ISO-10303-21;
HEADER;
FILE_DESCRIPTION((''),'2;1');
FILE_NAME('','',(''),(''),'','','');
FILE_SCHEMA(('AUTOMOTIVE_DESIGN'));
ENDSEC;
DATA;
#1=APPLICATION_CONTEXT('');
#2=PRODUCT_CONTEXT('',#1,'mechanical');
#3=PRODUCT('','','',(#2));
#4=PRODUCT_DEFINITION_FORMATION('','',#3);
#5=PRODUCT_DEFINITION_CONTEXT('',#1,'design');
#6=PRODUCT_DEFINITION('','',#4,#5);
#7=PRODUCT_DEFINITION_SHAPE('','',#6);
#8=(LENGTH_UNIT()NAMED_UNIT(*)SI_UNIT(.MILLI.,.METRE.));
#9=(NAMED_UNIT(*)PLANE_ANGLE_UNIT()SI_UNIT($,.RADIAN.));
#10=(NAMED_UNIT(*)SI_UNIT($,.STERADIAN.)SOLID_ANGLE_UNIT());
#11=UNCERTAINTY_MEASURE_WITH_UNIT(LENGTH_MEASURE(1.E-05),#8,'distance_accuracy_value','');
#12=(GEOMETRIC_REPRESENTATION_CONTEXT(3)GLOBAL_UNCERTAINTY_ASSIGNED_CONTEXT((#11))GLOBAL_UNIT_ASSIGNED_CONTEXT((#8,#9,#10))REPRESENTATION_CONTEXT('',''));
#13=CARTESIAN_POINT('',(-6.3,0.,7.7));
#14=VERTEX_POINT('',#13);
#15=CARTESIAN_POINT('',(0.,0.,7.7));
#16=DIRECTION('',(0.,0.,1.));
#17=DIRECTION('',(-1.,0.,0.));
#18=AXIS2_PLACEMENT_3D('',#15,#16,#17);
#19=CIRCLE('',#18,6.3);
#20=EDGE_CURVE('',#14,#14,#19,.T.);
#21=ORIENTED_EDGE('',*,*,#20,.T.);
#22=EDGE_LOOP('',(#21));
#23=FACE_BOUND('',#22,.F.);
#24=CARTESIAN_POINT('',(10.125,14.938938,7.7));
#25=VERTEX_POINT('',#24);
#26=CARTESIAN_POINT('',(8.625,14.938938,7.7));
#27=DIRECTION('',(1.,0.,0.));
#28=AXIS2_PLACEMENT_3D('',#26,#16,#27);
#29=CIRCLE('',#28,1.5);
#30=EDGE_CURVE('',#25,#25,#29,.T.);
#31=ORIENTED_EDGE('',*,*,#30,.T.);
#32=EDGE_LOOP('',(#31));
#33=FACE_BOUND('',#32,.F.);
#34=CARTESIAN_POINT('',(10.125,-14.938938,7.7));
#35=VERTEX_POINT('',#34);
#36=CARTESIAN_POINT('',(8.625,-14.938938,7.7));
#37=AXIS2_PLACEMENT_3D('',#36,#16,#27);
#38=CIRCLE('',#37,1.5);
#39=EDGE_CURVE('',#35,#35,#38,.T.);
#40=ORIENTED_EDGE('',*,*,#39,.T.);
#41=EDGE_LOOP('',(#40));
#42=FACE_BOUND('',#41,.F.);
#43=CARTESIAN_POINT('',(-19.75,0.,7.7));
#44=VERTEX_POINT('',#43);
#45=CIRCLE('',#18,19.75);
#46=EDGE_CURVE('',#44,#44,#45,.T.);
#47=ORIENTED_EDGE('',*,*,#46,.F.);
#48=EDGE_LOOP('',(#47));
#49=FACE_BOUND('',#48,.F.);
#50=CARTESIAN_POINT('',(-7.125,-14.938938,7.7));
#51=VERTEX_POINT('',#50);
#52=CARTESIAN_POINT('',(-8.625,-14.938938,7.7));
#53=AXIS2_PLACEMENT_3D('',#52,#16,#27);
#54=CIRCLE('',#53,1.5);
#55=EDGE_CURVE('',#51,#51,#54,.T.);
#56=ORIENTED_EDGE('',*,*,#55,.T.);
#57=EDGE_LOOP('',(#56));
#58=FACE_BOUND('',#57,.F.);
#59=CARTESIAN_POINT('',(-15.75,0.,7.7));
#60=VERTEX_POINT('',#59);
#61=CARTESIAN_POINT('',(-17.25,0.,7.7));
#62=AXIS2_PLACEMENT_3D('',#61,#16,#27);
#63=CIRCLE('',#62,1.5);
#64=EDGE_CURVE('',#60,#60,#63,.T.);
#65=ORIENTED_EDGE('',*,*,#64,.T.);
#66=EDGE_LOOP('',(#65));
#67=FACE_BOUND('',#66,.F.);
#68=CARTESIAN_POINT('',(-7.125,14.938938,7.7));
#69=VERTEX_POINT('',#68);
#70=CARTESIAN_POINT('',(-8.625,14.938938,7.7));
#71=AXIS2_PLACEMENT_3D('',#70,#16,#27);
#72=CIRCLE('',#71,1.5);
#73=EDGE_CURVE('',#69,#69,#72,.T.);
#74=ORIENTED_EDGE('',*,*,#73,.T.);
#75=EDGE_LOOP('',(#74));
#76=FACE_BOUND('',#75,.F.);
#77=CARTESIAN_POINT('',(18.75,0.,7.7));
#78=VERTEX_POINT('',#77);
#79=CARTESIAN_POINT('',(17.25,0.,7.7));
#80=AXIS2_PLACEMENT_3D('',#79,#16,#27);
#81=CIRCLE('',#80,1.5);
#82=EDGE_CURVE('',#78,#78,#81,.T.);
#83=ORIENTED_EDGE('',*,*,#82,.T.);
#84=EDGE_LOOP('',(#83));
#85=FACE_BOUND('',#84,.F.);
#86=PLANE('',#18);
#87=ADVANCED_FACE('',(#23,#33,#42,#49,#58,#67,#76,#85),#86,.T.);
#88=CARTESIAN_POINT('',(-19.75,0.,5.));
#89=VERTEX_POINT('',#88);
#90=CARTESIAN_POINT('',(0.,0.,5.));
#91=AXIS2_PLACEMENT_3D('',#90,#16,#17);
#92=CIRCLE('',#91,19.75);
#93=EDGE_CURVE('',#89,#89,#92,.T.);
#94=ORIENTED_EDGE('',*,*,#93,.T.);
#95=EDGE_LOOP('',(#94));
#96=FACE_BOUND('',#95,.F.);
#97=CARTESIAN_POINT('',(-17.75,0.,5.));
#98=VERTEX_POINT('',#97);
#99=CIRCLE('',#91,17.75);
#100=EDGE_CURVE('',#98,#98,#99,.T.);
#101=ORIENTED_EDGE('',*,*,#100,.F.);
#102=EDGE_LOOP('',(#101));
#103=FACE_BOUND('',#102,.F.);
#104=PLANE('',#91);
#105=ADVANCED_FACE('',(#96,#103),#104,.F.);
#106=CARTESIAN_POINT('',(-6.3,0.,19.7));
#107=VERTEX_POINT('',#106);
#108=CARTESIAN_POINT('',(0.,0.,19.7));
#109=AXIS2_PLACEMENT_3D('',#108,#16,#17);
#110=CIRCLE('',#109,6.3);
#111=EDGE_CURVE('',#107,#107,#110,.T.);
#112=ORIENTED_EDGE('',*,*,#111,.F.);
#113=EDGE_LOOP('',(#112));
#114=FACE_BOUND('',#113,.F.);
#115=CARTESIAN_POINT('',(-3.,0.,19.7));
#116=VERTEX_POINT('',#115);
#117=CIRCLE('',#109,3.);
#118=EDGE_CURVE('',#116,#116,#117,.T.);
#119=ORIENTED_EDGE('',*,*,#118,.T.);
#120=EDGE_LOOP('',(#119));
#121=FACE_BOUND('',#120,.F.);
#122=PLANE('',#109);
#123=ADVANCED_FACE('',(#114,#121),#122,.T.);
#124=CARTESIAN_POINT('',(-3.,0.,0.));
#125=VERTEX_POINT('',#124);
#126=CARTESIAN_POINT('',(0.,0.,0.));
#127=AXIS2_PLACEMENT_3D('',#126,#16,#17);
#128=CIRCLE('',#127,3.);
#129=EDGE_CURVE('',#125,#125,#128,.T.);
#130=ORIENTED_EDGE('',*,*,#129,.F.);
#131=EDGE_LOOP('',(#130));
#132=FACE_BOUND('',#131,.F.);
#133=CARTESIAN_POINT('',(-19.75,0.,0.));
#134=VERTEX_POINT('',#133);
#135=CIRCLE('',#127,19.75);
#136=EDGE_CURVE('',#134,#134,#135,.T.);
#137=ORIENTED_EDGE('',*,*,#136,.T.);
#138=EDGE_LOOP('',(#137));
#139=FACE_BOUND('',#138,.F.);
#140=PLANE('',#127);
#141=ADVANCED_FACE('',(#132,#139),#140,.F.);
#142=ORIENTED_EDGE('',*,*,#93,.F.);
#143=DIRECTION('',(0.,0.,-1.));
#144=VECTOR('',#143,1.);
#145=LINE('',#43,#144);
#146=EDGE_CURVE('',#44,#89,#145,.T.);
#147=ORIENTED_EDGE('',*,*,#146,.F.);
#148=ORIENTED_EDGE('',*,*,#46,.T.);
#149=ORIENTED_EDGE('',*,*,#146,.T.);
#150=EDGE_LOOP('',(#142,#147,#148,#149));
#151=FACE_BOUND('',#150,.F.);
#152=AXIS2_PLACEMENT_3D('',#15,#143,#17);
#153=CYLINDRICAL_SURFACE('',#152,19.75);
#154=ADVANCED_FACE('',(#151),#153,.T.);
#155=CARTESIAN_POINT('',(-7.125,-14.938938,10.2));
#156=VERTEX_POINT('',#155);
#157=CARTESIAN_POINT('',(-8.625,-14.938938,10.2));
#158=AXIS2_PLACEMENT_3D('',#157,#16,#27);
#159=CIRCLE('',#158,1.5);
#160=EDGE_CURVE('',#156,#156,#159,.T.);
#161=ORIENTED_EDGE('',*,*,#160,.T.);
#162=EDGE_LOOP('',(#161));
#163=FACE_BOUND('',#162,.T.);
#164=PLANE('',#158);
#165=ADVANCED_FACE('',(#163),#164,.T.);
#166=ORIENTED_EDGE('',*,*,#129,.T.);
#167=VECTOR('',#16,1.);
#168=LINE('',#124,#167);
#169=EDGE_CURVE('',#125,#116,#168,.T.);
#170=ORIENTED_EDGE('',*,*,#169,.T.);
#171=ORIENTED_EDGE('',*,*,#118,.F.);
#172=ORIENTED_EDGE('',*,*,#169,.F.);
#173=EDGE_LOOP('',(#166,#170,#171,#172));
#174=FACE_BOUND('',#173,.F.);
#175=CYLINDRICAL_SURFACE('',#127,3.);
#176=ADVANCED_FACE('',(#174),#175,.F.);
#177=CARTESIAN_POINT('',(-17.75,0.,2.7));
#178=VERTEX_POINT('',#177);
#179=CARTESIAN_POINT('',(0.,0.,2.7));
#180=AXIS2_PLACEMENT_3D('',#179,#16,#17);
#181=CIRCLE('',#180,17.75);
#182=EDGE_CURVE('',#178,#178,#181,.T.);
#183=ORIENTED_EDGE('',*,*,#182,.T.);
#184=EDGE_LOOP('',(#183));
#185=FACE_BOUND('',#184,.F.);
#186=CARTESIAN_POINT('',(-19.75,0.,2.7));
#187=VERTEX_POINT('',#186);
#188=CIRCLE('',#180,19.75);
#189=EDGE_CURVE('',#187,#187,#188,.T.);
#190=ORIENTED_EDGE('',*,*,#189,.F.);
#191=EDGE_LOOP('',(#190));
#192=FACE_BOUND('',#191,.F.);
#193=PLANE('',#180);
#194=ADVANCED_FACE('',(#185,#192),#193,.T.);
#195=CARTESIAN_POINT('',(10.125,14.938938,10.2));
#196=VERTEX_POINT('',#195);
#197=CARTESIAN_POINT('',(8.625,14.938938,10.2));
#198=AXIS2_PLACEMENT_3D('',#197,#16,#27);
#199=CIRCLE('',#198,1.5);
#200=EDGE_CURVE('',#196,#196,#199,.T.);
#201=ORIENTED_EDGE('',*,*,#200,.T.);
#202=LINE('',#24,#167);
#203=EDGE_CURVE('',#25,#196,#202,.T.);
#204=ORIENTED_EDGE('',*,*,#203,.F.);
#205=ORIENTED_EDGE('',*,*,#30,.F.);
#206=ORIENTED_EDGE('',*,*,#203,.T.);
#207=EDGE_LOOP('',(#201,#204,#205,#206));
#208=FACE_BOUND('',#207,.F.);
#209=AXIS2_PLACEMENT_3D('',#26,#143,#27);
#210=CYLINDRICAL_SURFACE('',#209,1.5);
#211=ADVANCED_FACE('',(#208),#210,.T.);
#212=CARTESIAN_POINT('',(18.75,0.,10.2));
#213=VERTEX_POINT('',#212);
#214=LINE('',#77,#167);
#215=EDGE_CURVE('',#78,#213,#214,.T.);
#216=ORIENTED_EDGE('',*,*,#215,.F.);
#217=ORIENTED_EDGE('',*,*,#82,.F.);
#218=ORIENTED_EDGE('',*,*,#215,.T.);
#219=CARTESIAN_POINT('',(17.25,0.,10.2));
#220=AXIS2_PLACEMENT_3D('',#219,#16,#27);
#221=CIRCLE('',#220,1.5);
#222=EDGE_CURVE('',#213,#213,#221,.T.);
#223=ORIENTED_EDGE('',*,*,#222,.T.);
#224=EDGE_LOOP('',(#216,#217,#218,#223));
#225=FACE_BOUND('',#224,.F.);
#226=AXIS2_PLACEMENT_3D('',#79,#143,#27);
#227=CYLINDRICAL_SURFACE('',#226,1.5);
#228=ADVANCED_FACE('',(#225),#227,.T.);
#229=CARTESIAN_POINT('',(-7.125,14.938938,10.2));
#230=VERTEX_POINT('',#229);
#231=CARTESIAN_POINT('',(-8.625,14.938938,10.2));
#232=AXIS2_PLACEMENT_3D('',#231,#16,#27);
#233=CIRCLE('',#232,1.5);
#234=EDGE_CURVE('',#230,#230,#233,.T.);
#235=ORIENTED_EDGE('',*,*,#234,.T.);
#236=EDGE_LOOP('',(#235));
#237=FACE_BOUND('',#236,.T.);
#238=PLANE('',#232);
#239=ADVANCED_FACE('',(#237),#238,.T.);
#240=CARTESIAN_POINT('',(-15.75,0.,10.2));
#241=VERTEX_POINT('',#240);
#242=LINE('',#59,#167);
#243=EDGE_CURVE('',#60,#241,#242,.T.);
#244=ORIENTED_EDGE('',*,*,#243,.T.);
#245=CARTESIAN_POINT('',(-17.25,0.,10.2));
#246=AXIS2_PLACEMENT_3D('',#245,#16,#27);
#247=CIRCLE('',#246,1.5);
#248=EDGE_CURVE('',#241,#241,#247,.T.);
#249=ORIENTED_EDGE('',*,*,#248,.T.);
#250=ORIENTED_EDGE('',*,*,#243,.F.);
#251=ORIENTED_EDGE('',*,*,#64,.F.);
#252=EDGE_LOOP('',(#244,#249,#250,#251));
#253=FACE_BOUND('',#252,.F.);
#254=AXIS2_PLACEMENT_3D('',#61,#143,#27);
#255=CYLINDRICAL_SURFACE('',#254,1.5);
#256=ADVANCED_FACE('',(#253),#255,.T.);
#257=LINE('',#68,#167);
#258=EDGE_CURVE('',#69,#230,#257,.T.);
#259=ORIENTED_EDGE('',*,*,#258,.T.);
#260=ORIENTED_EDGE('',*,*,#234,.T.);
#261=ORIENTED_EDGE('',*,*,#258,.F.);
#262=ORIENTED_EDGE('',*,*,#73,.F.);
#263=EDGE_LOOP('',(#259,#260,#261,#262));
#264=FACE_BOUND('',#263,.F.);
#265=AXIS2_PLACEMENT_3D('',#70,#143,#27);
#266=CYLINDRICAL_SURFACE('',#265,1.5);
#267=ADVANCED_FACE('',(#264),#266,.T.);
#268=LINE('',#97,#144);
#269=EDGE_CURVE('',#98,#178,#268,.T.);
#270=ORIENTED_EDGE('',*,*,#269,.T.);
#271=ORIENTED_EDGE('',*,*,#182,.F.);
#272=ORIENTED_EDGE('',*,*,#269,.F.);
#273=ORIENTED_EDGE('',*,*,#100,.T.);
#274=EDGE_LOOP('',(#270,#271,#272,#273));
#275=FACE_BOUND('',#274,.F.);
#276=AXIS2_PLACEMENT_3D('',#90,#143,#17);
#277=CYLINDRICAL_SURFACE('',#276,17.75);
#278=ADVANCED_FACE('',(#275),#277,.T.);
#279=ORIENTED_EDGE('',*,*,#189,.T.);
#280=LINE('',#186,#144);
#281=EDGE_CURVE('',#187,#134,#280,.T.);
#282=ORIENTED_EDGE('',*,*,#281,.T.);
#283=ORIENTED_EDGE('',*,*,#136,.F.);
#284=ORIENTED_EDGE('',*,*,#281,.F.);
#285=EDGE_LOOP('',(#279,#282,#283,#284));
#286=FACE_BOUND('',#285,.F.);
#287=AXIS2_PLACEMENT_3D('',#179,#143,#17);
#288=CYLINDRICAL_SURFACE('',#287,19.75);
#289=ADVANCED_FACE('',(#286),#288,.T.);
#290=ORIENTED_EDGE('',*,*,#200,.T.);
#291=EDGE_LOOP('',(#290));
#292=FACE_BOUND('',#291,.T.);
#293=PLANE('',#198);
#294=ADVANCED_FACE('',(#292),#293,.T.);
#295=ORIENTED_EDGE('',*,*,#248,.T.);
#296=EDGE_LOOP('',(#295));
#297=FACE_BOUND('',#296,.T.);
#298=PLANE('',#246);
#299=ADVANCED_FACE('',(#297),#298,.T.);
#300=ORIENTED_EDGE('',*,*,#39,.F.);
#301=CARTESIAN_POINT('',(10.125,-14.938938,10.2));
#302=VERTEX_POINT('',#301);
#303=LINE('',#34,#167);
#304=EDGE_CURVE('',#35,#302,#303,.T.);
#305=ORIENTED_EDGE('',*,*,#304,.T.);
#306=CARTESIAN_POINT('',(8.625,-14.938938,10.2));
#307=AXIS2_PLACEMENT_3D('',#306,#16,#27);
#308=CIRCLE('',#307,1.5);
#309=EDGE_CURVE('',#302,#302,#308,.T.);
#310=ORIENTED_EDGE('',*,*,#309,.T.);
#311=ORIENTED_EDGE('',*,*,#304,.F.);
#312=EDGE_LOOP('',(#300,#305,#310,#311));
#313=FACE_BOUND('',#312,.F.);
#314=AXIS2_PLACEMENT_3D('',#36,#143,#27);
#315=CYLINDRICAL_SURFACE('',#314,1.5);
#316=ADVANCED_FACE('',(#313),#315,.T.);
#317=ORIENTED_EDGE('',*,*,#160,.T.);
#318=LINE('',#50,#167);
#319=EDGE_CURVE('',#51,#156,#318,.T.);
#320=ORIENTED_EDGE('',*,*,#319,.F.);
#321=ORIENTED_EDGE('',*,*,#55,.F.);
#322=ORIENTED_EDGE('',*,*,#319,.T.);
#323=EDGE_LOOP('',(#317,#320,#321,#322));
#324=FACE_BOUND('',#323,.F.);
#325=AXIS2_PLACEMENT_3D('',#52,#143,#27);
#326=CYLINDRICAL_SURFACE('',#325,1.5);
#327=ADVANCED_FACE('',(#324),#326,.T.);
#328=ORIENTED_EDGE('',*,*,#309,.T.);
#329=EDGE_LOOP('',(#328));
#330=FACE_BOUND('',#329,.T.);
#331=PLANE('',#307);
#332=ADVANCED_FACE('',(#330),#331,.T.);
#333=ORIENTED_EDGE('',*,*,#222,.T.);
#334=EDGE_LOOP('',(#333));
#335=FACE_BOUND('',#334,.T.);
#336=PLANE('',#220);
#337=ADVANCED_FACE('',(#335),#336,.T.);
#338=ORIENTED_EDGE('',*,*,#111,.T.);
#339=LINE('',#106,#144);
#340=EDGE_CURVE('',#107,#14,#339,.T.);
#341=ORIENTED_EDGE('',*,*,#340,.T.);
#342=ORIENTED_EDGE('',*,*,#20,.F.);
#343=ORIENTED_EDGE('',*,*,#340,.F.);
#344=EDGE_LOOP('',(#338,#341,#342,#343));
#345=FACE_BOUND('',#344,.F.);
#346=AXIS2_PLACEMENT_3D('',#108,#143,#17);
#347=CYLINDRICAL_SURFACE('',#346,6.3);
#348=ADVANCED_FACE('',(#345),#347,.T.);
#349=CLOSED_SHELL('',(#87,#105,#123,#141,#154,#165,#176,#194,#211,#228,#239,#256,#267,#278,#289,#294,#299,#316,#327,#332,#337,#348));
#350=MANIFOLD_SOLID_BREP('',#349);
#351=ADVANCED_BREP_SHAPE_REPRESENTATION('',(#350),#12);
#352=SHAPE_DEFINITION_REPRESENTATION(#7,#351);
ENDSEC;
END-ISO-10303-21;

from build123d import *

# Parameters (mm, degrees)
F2_R     = 1.5
F3_DEPTH = 2.5


with BuildPart() as f1:
    # F0 (on Front) → F1 (revolve)
    with BuildSketch(Plane.XZ):
        Polygon((-19.75, 2.7), (-19.75, 0), (-3, 0), (-3, 19.7), (-6.3, 19.7), (-6.3, 7.7), (-19.75, 7.7), (-19.75, 5), (-17.75, 5), (-17.75, 2.7), align=None)
    revolve(axis=Axis((0, 0, 9.85), (0, 0, 1)))

    # F2 (on face) → F3 (join)
    with BuildSketch(Plane.XY.offset(7.7)):
        with Locations((-8.625, 14.938938)):
            Circle(F2_R)
        with Locations((8.625, 14.938938)):
            Circle(F2_R)
        with Locations((17.25, 0)):
            Circle(F2_R)
        with Locations((8.625, -14.938938)):
            Circle(F2_R)
        with Locations((-8.625, -14.938938)):
            Circle(F2_R)
        with Locations((-17.25, 0)):
            Circle(F2_R)
    extrude(amount=F3_DEPTH)


solid = f1.part
